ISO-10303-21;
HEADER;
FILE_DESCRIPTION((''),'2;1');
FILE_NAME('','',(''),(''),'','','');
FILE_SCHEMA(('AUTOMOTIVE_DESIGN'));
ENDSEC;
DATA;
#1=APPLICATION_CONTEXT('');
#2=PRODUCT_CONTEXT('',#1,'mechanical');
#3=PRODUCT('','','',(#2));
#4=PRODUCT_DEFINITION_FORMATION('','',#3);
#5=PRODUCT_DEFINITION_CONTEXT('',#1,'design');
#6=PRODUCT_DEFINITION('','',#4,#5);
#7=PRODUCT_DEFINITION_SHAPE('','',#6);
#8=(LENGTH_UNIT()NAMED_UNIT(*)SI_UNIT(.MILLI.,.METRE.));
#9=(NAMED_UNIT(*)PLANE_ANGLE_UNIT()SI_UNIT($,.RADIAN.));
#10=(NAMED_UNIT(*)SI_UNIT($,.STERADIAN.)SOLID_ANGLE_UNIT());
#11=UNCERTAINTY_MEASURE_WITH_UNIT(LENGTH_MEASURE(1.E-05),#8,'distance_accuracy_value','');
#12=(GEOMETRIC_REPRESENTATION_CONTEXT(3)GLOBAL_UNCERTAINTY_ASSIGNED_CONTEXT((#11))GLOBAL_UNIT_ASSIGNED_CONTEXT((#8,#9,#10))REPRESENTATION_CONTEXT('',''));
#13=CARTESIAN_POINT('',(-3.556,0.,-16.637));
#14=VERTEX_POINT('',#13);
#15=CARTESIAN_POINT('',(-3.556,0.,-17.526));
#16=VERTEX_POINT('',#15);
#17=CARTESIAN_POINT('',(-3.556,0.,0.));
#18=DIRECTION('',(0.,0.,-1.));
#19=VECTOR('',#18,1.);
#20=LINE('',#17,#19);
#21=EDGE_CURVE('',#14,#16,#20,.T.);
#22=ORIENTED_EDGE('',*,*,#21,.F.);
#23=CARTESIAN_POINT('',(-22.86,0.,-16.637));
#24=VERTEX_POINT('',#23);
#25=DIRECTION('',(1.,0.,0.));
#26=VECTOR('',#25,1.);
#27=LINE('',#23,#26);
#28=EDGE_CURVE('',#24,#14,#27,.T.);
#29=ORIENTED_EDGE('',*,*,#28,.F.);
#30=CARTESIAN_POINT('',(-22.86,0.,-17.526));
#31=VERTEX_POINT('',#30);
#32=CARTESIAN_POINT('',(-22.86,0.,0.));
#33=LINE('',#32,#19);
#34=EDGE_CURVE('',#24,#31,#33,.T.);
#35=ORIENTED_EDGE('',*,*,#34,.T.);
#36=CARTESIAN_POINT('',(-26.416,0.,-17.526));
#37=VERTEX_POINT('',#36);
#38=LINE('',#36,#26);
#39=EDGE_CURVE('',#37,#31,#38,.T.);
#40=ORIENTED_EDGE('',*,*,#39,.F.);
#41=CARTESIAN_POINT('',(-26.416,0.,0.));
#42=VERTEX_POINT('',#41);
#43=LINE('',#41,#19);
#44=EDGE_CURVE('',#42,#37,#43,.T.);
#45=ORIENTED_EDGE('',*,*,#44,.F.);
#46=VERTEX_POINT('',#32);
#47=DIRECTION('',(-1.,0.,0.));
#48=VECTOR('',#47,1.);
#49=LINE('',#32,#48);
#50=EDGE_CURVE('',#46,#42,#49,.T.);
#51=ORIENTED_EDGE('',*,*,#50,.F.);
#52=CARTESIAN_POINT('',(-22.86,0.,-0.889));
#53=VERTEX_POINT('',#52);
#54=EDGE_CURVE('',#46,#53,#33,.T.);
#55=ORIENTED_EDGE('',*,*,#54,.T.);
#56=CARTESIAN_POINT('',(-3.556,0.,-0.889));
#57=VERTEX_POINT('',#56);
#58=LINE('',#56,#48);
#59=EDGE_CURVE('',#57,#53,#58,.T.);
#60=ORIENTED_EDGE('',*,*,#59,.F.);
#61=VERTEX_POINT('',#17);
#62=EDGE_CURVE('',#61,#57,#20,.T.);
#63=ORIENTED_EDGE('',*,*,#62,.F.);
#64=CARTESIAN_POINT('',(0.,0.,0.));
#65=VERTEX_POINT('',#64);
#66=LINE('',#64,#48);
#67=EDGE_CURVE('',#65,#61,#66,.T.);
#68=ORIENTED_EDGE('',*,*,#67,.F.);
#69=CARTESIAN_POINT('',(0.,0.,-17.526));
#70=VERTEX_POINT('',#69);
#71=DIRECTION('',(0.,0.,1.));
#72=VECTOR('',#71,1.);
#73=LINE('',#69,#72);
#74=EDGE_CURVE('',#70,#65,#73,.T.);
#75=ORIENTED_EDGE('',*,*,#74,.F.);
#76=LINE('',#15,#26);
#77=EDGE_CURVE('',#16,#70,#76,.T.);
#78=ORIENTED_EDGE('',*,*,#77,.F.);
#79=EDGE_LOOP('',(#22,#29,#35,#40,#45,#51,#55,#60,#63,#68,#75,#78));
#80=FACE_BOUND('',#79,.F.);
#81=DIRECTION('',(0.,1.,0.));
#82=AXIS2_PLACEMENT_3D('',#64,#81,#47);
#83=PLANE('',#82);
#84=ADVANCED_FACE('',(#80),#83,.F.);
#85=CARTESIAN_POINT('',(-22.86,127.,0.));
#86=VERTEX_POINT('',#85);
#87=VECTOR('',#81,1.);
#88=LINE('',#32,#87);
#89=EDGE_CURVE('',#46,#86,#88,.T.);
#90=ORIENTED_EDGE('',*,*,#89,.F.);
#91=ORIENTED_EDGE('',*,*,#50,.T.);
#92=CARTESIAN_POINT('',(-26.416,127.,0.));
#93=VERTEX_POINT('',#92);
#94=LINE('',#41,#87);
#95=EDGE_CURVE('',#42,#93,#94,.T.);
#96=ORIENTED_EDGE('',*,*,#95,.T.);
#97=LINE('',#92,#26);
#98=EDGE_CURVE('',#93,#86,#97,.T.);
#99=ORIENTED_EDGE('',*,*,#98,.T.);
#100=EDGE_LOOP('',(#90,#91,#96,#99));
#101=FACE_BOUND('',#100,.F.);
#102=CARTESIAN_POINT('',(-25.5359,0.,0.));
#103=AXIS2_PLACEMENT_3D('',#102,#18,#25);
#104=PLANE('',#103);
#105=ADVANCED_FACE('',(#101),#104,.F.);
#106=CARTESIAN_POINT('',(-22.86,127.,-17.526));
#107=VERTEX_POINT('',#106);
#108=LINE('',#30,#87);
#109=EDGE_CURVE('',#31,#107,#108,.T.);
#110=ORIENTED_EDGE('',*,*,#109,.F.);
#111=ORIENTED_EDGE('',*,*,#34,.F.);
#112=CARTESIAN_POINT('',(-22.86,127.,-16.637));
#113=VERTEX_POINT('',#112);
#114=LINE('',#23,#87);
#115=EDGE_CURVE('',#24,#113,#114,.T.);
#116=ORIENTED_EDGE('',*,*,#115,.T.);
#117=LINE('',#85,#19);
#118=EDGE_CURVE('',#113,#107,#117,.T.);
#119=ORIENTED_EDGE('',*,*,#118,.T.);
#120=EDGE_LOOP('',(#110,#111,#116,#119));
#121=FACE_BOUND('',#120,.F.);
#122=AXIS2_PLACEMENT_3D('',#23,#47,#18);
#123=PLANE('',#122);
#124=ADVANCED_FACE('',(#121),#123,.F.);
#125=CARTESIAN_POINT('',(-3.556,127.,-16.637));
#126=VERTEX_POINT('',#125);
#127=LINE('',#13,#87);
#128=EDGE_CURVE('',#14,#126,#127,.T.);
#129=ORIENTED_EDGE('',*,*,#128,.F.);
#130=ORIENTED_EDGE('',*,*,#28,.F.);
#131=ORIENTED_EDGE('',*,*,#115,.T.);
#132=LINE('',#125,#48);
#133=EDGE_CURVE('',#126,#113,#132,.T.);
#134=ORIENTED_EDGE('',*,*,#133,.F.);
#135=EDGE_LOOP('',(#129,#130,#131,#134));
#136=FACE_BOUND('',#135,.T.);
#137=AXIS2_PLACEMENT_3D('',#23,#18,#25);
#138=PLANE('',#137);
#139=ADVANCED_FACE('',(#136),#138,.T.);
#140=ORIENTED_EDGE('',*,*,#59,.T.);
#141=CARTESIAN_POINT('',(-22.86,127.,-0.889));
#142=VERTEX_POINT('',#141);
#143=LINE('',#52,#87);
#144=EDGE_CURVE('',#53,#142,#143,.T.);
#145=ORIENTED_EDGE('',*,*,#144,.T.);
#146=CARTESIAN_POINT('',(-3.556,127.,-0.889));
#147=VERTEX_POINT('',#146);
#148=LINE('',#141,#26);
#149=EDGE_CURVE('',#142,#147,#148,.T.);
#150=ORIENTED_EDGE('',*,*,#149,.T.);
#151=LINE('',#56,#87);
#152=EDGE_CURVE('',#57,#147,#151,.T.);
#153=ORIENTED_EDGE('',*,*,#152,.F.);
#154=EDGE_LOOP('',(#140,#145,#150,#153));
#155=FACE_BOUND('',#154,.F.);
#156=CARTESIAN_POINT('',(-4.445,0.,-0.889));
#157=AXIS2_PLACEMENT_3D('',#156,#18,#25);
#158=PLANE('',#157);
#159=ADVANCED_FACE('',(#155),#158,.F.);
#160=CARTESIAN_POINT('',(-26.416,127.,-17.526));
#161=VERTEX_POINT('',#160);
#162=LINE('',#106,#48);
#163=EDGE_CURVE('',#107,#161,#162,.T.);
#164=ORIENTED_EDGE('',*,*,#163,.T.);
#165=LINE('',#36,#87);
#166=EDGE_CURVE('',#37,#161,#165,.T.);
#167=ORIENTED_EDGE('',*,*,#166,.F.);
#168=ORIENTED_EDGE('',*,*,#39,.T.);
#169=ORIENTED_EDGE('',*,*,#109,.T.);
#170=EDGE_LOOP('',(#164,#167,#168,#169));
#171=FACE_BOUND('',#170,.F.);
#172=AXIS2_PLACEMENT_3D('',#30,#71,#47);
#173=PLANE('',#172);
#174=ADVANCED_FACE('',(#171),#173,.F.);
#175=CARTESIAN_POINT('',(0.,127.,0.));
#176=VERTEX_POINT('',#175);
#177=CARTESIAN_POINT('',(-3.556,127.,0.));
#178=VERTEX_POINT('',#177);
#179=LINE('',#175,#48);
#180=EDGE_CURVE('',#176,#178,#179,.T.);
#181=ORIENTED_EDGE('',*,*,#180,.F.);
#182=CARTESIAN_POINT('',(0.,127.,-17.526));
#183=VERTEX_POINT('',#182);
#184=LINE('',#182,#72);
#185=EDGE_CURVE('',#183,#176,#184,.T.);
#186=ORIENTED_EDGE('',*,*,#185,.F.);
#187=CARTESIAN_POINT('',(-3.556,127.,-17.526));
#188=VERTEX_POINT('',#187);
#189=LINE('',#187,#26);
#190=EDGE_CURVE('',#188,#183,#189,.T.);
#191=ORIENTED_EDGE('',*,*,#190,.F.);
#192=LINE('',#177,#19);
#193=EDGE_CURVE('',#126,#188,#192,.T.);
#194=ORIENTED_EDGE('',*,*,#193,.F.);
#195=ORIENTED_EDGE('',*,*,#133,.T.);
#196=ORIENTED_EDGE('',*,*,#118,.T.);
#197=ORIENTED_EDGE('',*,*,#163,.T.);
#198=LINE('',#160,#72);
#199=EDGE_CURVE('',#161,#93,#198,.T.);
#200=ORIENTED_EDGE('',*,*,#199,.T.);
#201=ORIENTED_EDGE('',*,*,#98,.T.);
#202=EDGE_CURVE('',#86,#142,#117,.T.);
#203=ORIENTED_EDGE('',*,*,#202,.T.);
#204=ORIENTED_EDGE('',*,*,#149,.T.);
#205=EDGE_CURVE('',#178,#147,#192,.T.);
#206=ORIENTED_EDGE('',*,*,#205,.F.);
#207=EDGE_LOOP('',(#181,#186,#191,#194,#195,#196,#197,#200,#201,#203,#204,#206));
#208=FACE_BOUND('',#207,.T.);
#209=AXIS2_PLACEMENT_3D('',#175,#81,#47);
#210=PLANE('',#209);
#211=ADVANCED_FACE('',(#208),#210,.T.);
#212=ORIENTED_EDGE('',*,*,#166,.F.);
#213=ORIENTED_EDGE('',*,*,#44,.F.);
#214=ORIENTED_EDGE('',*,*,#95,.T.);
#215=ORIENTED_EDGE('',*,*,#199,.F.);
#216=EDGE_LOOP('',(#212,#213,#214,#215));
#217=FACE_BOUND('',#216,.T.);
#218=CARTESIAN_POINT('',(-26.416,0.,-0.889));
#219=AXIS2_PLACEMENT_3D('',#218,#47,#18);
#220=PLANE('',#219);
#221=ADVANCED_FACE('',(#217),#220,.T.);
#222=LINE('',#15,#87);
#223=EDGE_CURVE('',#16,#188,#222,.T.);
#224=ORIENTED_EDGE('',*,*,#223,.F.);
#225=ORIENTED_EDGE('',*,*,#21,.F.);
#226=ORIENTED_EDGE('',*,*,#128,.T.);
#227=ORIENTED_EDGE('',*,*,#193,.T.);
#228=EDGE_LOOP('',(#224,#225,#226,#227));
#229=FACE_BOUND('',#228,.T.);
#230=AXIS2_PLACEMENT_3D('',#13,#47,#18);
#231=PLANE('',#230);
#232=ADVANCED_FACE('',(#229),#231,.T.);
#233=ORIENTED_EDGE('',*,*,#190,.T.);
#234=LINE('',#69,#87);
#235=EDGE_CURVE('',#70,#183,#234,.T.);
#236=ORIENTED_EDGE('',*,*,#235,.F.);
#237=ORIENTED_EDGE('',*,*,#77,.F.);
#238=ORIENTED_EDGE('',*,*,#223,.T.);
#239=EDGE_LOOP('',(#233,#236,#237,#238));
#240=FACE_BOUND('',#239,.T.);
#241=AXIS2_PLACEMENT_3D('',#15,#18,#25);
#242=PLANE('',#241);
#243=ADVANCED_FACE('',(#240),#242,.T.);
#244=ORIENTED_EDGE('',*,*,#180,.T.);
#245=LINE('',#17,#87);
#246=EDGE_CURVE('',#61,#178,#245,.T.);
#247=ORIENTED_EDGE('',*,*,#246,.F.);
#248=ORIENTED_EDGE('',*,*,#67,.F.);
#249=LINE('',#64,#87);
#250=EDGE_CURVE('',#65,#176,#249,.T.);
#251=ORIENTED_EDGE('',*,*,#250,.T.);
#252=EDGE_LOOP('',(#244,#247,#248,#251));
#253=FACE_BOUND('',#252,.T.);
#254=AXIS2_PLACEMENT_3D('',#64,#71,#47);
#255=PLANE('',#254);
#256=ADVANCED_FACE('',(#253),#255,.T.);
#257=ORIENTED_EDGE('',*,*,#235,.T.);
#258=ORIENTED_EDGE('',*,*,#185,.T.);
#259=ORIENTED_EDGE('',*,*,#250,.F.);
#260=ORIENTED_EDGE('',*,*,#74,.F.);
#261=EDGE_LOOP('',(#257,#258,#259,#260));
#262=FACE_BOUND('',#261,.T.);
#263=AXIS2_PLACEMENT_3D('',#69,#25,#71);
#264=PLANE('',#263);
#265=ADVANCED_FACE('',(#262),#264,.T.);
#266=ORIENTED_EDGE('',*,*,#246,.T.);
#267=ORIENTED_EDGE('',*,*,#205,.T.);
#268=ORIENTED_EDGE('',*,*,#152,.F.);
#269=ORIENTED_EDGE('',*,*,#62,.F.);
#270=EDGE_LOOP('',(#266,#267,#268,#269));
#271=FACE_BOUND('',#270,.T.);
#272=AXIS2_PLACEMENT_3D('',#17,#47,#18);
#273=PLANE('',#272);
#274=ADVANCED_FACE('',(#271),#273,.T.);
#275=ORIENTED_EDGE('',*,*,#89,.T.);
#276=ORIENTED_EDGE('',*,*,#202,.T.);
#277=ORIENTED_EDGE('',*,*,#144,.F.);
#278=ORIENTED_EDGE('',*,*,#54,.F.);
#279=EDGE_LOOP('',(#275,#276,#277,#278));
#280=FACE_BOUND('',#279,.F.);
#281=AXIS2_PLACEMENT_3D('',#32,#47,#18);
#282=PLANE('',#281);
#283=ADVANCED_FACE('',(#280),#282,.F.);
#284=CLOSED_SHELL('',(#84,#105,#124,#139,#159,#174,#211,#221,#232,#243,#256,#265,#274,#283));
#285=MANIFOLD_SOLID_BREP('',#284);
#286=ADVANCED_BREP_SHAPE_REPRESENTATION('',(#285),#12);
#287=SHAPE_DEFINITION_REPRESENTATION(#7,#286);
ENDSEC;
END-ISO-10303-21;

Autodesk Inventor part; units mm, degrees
ref_plane "YZ Plane" through (0, 0, 0) normal (1, 0, 0) x (0, 1, 0)
ref_plane "XZ Plane" through (0, 0, 0) normal (0, 1, 0) x (-1, 0, 0)
ref_plane "XY Plane" through (0, 0, 0) normal (0, 0, 1) x (1, 0, 0)
sketch "Sketch1" plane through (0, 0, 0) normal (0, 1, 0) x (-1, 0, 0)
  line L0 (0, 0) -> (297.0107, 0) construction
  line L1 (297.0107, 0) -> (297.0107, -209.9733) construction
  line L2 (297.0107, -209.9733) -> (0, -209.9733) construction
  line L3 (0, -209.9733) -> (0, 0) construction
  line L4 (0, 0) -> (3.556, 0)
  line L5 (3.556, 0) -> (3.556, -17.526)
  line L6 (3.556, -17.526) -> (0, -17.526)
  line L7 (0, -17.526) -> (0, 0)
  line L8 (3.556, 0) -> (4.445, 0)
  line L9 (4.445, 0) -> (4.445, -0.889)
  line L10 (4.445, -0.889) -> (3.556, -0.889)
  line L11 (3.556, -0.889) -> (3.556, 0)
  line L12 (3.556, -17.526) -> (4.445, -17.526)
  line L13 (4.445, -17.526) -> (4.445, -16.637)
  line L14 (4.445, -16.637) -> (3.556, -16.637)
  line L15 (3.556, -16.637) -> (3.556, -17.526)
  line L16 (3.556, -0.889) -> (26.416, -0.889)
  line L17 (26.416, -0.889) -> (26.416, -16.637)
  line L18 (26.416, -16.637) -> (3.556, -16.637)
  line L19 (3.556, -16.637) -> (3.556, -0.889)
  line L20 (26.416, 0) -> (25.5359, 0)
  line L21 (25.5359, 0) -> (25.5359, -17.526)
  line L22 (25.5359, -17.526) -> (26.416, -17.526)
  line L23 (26.416, -17.526) -> (26.416, 0)
  line L24 (26.416, 0) -> (22.86, 0)
  line L25 (22.86, 0) -> (22.86, -17.526)
  line L26 (22.86, -17.526) -> (26.416, -17.526)
  line L27 (26.416, -17.526) -> (26.416, 0)
  point P0 (22.86, -0.889)
  point P1 (22.86, -16.637)
  dimension "d1" = 17.526
  dimension "d2" = 3.556
  dimension "d3" = 0.889
  dimension "d4" = 0.889
  dimension "d5" = 0.889
  dimension "d6" = 0.889
  dimension "d7" = 22.86
  dimension "d9" = 3.556
extrude "Extrusion1" add sketch "Sketch1" along normal blind 127 contours L4 L5 L6 L7 | L10 L16 L25 L18 L14 L5 | L25 L24 L21 L16 | L16 L21 L18 L25 | L18 L21 L26 L25 | L21 L20 L23 L16 | L16 L17 L18 L21 | L18 L23 L22 L21
properties part number "hook-coil I beam"
